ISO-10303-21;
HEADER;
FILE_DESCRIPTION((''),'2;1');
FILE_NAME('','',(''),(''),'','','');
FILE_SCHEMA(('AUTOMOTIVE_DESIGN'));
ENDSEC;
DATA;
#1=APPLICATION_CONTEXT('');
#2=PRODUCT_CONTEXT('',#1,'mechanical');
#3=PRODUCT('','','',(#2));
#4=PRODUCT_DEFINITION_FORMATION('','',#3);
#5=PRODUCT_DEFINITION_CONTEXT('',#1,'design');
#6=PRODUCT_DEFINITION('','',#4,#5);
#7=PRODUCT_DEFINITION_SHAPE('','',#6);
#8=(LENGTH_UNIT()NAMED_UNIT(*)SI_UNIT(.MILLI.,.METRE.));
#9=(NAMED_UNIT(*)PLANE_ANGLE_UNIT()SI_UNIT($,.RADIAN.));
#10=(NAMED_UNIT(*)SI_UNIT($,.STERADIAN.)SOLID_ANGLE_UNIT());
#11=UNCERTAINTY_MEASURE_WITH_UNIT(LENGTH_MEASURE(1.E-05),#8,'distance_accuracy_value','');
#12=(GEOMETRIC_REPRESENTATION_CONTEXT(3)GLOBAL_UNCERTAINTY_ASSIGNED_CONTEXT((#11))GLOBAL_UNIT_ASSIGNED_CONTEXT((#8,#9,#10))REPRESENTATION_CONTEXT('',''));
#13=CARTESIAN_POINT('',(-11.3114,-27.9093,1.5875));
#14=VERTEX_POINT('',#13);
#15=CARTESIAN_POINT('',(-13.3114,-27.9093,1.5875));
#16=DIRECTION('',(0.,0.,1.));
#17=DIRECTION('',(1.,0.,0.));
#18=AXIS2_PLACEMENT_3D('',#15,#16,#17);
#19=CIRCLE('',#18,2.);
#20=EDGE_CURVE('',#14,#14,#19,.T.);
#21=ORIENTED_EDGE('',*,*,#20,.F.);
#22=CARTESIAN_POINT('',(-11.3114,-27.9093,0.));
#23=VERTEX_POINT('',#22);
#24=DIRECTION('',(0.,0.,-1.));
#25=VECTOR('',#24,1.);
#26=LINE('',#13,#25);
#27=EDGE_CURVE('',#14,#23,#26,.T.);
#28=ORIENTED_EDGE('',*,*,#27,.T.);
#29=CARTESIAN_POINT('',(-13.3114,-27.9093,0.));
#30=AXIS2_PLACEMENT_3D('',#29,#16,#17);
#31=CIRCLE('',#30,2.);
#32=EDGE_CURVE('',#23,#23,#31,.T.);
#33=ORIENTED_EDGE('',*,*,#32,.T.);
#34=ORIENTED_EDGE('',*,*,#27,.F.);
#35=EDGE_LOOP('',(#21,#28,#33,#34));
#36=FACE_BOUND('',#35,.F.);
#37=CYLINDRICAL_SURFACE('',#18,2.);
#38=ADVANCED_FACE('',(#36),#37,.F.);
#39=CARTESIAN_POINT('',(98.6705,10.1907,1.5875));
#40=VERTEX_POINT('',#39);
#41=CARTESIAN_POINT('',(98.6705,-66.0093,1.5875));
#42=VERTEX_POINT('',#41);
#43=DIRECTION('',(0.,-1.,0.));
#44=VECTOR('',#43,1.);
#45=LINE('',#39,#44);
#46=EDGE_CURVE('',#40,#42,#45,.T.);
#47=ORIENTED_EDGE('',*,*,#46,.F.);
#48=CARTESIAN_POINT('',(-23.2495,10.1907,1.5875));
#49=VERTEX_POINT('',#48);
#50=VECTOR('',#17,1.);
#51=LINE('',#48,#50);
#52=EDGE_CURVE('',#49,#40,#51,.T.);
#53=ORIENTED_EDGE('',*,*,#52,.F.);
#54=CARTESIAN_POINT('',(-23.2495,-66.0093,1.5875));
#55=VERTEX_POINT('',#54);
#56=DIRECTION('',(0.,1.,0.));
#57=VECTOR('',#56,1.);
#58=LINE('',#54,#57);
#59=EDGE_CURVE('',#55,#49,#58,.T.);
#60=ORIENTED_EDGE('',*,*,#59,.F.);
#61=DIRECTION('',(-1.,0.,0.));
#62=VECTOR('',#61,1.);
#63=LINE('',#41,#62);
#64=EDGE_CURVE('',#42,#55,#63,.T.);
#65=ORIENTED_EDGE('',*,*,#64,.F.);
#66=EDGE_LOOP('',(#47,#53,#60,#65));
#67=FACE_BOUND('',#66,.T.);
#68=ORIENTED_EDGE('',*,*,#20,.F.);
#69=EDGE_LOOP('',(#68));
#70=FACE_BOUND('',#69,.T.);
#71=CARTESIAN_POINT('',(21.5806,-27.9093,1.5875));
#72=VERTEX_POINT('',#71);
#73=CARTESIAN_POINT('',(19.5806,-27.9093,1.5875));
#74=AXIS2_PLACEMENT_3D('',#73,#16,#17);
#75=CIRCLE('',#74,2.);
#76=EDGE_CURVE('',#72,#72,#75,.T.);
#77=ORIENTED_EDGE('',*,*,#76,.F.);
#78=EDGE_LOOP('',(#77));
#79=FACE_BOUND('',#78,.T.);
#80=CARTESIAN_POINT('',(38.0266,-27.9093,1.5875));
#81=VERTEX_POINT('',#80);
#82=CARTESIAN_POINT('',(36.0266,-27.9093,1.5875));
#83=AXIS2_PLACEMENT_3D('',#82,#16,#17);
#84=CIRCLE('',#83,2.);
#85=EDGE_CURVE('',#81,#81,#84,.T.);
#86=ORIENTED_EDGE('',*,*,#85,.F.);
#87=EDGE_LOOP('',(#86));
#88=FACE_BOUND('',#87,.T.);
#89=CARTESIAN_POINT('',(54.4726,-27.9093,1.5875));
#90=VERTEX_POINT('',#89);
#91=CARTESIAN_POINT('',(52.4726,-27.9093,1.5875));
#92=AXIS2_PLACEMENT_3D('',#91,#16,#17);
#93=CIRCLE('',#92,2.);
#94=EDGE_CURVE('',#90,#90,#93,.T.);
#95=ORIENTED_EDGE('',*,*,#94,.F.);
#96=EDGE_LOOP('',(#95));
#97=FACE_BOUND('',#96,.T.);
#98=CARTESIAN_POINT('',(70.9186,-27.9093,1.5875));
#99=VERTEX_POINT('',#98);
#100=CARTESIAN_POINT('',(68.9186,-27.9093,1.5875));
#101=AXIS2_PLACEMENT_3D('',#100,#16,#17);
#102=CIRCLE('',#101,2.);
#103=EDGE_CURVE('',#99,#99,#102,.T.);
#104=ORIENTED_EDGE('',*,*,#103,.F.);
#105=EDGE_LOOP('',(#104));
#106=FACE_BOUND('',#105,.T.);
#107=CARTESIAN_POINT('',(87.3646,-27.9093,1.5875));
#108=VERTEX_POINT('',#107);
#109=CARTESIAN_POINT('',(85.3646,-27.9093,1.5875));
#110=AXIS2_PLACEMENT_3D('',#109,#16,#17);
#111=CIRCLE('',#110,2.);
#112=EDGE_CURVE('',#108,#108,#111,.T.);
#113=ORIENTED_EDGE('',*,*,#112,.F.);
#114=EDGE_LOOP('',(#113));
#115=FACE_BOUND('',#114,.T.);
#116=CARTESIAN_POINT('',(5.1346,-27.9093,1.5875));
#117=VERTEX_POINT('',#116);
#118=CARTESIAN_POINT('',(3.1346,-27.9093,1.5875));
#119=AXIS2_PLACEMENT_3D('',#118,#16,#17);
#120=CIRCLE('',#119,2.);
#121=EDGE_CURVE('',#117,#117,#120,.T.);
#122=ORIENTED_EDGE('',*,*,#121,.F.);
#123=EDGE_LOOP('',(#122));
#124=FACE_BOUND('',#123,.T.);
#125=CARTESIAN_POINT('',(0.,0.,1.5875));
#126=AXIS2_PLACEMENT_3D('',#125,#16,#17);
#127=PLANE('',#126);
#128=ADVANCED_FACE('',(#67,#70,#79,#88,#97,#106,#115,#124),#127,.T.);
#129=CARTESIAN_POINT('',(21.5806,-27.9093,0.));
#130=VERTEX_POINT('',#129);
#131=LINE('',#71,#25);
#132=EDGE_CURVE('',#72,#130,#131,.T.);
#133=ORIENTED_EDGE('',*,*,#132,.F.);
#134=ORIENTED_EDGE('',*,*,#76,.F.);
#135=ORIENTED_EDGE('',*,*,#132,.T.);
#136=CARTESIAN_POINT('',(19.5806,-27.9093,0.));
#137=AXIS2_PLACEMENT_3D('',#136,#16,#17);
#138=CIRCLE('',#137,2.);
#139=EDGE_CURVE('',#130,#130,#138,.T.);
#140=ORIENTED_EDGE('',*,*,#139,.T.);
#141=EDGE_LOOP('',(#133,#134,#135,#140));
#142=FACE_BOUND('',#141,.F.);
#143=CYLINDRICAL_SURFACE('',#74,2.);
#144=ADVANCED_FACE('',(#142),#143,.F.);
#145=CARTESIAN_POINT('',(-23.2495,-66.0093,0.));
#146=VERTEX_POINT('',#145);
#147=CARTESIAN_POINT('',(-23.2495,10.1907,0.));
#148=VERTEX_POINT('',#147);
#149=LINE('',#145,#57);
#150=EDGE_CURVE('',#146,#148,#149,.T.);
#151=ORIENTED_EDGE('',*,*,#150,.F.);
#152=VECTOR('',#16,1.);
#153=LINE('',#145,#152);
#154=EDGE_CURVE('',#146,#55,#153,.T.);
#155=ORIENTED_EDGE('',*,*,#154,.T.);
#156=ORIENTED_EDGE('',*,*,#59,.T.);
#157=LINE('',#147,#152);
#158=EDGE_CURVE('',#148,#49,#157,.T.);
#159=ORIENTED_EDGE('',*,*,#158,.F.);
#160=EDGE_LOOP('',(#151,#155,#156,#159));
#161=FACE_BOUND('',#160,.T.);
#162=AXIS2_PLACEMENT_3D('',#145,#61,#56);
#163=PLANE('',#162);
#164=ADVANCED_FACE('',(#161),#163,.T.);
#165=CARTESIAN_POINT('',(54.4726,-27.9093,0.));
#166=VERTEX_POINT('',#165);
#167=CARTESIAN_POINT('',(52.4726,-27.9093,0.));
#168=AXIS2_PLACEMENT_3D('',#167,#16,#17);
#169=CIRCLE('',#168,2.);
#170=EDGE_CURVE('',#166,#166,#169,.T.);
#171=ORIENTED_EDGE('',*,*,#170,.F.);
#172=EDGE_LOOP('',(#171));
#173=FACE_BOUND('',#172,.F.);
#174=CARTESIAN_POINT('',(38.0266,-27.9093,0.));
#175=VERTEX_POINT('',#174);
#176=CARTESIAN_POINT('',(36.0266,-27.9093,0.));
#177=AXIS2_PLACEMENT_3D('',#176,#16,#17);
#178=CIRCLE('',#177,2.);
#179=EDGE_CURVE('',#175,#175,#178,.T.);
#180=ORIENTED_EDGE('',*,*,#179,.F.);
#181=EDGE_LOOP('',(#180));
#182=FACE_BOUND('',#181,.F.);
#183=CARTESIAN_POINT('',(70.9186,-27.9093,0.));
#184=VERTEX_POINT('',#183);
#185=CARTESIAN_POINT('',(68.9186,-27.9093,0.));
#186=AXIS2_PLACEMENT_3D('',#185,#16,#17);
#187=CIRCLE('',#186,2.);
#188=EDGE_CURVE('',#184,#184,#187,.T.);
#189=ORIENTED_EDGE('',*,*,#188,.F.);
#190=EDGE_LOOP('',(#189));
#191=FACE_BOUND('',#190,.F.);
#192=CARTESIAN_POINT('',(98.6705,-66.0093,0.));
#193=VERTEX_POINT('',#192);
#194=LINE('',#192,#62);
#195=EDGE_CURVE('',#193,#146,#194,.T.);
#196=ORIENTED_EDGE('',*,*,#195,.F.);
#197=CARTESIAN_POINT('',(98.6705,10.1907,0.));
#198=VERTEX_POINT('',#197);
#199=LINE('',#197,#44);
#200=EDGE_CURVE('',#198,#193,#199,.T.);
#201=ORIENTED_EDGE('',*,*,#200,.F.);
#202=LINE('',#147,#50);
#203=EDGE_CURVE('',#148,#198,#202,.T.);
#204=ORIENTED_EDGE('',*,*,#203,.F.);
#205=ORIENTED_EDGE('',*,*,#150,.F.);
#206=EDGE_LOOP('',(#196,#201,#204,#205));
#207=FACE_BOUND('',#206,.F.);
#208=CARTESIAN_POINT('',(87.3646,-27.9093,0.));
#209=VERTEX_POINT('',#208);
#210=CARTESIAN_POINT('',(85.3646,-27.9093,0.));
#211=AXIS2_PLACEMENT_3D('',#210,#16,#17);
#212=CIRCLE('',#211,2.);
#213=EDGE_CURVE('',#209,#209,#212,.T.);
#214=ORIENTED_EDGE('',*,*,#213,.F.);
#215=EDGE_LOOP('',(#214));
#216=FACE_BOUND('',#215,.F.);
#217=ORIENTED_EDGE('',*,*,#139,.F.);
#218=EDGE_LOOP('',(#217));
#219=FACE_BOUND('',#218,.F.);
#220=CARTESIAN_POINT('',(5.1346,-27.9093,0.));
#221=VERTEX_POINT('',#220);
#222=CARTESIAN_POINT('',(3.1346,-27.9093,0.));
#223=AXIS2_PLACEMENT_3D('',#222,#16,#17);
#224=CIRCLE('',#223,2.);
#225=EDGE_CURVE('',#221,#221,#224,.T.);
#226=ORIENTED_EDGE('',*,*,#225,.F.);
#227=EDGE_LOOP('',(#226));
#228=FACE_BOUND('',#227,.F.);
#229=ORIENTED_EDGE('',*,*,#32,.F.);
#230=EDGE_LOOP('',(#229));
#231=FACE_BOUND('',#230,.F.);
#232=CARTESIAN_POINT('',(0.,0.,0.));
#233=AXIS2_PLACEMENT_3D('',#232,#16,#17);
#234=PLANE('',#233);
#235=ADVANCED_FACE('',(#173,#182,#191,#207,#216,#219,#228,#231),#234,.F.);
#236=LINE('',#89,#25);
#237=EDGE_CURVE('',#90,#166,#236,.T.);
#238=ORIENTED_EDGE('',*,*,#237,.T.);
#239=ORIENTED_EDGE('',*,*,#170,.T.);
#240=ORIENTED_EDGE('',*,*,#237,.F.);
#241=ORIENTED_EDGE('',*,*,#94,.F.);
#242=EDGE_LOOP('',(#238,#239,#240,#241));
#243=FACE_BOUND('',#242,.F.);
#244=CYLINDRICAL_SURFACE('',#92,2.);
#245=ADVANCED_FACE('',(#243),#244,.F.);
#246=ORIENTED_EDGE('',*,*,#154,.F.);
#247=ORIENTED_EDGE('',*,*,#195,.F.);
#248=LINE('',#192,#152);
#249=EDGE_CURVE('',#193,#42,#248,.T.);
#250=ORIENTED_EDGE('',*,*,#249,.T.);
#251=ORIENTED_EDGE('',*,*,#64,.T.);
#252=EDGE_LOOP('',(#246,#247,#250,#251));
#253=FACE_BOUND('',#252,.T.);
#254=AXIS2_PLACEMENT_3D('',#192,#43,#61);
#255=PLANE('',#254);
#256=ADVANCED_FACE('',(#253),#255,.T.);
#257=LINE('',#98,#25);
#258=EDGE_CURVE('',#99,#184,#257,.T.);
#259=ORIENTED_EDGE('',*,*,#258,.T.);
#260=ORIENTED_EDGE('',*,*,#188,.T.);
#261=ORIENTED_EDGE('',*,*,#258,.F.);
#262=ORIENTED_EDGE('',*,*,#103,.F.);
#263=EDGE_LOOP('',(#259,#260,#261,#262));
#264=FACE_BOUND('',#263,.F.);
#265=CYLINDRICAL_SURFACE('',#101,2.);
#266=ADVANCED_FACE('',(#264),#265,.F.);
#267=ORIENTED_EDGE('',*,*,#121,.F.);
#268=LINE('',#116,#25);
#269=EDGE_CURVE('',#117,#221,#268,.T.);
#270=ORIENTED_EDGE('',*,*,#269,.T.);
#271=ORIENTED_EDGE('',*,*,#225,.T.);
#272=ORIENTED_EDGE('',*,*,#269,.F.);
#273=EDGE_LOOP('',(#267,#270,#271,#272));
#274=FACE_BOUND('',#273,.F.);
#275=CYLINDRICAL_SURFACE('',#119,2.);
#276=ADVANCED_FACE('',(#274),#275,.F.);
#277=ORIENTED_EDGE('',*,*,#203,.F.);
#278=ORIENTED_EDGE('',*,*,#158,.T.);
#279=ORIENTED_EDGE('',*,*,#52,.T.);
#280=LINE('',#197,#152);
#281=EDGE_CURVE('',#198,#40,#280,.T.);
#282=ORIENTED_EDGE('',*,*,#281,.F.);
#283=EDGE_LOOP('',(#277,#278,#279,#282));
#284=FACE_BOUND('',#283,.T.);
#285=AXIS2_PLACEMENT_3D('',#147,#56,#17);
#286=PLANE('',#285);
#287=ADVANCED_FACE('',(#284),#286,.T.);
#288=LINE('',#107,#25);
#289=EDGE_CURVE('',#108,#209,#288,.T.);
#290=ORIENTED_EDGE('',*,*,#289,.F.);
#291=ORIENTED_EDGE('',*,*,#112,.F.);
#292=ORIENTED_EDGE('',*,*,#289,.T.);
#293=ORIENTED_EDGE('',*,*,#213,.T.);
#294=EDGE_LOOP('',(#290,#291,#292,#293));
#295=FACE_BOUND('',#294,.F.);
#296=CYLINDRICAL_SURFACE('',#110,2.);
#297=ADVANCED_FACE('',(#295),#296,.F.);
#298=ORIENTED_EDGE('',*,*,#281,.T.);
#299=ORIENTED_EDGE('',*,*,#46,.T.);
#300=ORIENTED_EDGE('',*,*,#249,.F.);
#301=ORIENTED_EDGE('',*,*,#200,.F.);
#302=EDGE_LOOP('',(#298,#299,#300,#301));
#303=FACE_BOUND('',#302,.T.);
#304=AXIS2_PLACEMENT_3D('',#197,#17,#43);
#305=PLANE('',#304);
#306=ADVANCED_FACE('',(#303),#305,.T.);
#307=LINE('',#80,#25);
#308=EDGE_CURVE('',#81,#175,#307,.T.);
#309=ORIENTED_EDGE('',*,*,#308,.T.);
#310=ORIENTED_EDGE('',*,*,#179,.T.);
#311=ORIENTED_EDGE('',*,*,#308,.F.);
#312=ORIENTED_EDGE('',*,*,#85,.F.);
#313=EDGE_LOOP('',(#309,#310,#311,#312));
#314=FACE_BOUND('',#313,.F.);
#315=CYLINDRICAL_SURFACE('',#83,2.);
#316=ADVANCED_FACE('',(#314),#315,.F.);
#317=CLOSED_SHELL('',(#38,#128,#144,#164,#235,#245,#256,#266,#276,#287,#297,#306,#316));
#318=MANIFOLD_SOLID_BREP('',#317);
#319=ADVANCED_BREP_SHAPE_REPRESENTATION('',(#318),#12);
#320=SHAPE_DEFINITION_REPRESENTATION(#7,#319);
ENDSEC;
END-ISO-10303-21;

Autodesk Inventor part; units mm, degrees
ref_plane "YZ Plane" through (0, 0, 0) normal (1, 0, 0) x (0, 1, 0)
ref_plane "XZ Plane" through (0, 0, 0) normal (0, 1, 0) x (-1, 0, 0)
ref_plane "XY Plane" through (0, 0, 0) normal (0, 0, 1) x (1, 0, 0)
sketch "Sketch1" plane through (0, 0, 0) normal (0, 0, 1) x (1, 0, 0)
  line L0 (-23.2495, 10.1907) -> (98.6705, 10.1907)
  line L1 (98.6705, 10.1907) -> (98.6705, -66.0093)
  line L2 (98.6705, -66.0093) -> (-23.2495, -66.0093)
  line L3 (-23.2495, -66.0093) -> (-23.2495, 10.1907)
  point P0 (0, 0)
  dimension "d0" = 121.92
  dimension "d1" = 76.2
extrude "Extrusion1" add sketch "Sketch1" along normal blind 1.5875
sketch "Sketch2" plane through (0, 0, 1.5875) normal (0, 0, 1) x (1, 0, 0)
  circle A0 centre (-13.3114, -27.9093) radius 2
  circle A1 centre (3.1346, -27.9093) radius 2
  circle A2 centre (19.5806, -27.9093) radius 2
  circle A3 centre (36.0266, -27.9093) radius 2
  circle A4 centre (68.9186, -27.9093) radius 2
  circle A5 centre (85.3646, -27.9093) radius 2
  line L0 (98.6705, -66.0093) -> (98.6705, 10.1907) projected
  line L1 (68.9186, -27.9093) -> (51.2881, -27.9093) construction
  circle A6 centre (52.4726, -27.9093) radius 2
  point P0 (0, 0)
  dimension "d4" = 4
  dimension "d5" = 4
  dimension "d6" = 4
  dimension "d7" = 4
  dimension "d9" = 4
  dimension "d10" = 4
  dimension "d11" = 12.446
  dimension "d12" = 12.446
  dimension "d13" = 12.446
  dimension "d18" = 4
  dimension "d20" = 12.446
  dimension "d21" = 12.446
  dimension "d22" = 12.446
extrude "Extrusion2" cut sketch "Sketch2" against normal blind 1.5875
properties part number "topgearbase"
